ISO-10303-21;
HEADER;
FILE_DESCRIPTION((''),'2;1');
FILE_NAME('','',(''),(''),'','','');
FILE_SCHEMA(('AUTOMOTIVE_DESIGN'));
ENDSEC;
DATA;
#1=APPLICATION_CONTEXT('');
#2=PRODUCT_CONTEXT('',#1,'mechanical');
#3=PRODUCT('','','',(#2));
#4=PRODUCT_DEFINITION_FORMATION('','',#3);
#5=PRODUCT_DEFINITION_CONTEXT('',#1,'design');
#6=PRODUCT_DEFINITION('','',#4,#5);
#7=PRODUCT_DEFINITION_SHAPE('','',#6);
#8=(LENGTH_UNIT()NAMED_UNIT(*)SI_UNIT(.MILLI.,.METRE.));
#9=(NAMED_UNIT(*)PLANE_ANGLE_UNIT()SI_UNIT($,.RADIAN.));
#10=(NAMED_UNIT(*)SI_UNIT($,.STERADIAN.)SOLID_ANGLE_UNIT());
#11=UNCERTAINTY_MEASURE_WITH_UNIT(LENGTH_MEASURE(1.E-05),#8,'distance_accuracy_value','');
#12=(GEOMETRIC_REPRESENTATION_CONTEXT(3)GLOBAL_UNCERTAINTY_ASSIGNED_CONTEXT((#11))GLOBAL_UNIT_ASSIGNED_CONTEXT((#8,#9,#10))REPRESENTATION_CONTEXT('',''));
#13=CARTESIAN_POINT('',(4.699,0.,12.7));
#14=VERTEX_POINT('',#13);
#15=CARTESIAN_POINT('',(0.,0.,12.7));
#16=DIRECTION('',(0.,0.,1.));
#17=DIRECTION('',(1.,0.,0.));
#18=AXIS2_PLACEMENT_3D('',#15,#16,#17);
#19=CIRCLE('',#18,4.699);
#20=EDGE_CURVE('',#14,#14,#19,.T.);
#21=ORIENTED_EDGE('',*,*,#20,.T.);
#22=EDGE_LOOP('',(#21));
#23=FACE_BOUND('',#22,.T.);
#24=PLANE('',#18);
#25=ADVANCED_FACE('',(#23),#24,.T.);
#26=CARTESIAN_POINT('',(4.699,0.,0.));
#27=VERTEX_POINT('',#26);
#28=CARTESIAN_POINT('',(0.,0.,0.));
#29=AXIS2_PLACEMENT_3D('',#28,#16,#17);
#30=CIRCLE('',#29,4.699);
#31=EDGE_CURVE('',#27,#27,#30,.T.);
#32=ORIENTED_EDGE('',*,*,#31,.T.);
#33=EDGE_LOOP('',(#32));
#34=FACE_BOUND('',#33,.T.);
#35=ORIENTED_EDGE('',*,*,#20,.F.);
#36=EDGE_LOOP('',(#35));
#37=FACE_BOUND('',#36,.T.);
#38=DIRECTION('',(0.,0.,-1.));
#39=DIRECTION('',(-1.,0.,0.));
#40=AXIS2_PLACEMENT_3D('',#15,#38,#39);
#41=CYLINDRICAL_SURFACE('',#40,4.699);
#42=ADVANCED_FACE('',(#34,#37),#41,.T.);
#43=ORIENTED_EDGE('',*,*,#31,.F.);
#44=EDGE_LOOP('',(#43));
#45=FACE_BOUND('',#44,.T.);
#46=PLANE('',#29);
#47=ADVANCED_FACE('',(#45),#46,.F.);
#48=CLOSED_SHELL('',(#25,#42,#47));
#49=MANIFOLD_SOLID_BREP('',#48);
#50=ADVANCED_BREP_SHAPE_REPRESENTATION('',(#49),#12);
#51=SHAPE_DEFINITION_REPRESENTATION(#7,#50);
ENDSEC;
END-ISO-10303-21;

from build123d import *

# Parameters (mm, degrees)
SKETCH1_R          = 4.699
BASE_EXTRUDE_DEPTH = 12.7


with BuildPart() as part:
    # Sketch1 → Base-Extrude (new body)
    with BuildSketch(Plane.XY):
        Circle(SKETCH1_R)
    extrude(amount=BASE_EXTRUDE_DEPTH)


solid = part.part
